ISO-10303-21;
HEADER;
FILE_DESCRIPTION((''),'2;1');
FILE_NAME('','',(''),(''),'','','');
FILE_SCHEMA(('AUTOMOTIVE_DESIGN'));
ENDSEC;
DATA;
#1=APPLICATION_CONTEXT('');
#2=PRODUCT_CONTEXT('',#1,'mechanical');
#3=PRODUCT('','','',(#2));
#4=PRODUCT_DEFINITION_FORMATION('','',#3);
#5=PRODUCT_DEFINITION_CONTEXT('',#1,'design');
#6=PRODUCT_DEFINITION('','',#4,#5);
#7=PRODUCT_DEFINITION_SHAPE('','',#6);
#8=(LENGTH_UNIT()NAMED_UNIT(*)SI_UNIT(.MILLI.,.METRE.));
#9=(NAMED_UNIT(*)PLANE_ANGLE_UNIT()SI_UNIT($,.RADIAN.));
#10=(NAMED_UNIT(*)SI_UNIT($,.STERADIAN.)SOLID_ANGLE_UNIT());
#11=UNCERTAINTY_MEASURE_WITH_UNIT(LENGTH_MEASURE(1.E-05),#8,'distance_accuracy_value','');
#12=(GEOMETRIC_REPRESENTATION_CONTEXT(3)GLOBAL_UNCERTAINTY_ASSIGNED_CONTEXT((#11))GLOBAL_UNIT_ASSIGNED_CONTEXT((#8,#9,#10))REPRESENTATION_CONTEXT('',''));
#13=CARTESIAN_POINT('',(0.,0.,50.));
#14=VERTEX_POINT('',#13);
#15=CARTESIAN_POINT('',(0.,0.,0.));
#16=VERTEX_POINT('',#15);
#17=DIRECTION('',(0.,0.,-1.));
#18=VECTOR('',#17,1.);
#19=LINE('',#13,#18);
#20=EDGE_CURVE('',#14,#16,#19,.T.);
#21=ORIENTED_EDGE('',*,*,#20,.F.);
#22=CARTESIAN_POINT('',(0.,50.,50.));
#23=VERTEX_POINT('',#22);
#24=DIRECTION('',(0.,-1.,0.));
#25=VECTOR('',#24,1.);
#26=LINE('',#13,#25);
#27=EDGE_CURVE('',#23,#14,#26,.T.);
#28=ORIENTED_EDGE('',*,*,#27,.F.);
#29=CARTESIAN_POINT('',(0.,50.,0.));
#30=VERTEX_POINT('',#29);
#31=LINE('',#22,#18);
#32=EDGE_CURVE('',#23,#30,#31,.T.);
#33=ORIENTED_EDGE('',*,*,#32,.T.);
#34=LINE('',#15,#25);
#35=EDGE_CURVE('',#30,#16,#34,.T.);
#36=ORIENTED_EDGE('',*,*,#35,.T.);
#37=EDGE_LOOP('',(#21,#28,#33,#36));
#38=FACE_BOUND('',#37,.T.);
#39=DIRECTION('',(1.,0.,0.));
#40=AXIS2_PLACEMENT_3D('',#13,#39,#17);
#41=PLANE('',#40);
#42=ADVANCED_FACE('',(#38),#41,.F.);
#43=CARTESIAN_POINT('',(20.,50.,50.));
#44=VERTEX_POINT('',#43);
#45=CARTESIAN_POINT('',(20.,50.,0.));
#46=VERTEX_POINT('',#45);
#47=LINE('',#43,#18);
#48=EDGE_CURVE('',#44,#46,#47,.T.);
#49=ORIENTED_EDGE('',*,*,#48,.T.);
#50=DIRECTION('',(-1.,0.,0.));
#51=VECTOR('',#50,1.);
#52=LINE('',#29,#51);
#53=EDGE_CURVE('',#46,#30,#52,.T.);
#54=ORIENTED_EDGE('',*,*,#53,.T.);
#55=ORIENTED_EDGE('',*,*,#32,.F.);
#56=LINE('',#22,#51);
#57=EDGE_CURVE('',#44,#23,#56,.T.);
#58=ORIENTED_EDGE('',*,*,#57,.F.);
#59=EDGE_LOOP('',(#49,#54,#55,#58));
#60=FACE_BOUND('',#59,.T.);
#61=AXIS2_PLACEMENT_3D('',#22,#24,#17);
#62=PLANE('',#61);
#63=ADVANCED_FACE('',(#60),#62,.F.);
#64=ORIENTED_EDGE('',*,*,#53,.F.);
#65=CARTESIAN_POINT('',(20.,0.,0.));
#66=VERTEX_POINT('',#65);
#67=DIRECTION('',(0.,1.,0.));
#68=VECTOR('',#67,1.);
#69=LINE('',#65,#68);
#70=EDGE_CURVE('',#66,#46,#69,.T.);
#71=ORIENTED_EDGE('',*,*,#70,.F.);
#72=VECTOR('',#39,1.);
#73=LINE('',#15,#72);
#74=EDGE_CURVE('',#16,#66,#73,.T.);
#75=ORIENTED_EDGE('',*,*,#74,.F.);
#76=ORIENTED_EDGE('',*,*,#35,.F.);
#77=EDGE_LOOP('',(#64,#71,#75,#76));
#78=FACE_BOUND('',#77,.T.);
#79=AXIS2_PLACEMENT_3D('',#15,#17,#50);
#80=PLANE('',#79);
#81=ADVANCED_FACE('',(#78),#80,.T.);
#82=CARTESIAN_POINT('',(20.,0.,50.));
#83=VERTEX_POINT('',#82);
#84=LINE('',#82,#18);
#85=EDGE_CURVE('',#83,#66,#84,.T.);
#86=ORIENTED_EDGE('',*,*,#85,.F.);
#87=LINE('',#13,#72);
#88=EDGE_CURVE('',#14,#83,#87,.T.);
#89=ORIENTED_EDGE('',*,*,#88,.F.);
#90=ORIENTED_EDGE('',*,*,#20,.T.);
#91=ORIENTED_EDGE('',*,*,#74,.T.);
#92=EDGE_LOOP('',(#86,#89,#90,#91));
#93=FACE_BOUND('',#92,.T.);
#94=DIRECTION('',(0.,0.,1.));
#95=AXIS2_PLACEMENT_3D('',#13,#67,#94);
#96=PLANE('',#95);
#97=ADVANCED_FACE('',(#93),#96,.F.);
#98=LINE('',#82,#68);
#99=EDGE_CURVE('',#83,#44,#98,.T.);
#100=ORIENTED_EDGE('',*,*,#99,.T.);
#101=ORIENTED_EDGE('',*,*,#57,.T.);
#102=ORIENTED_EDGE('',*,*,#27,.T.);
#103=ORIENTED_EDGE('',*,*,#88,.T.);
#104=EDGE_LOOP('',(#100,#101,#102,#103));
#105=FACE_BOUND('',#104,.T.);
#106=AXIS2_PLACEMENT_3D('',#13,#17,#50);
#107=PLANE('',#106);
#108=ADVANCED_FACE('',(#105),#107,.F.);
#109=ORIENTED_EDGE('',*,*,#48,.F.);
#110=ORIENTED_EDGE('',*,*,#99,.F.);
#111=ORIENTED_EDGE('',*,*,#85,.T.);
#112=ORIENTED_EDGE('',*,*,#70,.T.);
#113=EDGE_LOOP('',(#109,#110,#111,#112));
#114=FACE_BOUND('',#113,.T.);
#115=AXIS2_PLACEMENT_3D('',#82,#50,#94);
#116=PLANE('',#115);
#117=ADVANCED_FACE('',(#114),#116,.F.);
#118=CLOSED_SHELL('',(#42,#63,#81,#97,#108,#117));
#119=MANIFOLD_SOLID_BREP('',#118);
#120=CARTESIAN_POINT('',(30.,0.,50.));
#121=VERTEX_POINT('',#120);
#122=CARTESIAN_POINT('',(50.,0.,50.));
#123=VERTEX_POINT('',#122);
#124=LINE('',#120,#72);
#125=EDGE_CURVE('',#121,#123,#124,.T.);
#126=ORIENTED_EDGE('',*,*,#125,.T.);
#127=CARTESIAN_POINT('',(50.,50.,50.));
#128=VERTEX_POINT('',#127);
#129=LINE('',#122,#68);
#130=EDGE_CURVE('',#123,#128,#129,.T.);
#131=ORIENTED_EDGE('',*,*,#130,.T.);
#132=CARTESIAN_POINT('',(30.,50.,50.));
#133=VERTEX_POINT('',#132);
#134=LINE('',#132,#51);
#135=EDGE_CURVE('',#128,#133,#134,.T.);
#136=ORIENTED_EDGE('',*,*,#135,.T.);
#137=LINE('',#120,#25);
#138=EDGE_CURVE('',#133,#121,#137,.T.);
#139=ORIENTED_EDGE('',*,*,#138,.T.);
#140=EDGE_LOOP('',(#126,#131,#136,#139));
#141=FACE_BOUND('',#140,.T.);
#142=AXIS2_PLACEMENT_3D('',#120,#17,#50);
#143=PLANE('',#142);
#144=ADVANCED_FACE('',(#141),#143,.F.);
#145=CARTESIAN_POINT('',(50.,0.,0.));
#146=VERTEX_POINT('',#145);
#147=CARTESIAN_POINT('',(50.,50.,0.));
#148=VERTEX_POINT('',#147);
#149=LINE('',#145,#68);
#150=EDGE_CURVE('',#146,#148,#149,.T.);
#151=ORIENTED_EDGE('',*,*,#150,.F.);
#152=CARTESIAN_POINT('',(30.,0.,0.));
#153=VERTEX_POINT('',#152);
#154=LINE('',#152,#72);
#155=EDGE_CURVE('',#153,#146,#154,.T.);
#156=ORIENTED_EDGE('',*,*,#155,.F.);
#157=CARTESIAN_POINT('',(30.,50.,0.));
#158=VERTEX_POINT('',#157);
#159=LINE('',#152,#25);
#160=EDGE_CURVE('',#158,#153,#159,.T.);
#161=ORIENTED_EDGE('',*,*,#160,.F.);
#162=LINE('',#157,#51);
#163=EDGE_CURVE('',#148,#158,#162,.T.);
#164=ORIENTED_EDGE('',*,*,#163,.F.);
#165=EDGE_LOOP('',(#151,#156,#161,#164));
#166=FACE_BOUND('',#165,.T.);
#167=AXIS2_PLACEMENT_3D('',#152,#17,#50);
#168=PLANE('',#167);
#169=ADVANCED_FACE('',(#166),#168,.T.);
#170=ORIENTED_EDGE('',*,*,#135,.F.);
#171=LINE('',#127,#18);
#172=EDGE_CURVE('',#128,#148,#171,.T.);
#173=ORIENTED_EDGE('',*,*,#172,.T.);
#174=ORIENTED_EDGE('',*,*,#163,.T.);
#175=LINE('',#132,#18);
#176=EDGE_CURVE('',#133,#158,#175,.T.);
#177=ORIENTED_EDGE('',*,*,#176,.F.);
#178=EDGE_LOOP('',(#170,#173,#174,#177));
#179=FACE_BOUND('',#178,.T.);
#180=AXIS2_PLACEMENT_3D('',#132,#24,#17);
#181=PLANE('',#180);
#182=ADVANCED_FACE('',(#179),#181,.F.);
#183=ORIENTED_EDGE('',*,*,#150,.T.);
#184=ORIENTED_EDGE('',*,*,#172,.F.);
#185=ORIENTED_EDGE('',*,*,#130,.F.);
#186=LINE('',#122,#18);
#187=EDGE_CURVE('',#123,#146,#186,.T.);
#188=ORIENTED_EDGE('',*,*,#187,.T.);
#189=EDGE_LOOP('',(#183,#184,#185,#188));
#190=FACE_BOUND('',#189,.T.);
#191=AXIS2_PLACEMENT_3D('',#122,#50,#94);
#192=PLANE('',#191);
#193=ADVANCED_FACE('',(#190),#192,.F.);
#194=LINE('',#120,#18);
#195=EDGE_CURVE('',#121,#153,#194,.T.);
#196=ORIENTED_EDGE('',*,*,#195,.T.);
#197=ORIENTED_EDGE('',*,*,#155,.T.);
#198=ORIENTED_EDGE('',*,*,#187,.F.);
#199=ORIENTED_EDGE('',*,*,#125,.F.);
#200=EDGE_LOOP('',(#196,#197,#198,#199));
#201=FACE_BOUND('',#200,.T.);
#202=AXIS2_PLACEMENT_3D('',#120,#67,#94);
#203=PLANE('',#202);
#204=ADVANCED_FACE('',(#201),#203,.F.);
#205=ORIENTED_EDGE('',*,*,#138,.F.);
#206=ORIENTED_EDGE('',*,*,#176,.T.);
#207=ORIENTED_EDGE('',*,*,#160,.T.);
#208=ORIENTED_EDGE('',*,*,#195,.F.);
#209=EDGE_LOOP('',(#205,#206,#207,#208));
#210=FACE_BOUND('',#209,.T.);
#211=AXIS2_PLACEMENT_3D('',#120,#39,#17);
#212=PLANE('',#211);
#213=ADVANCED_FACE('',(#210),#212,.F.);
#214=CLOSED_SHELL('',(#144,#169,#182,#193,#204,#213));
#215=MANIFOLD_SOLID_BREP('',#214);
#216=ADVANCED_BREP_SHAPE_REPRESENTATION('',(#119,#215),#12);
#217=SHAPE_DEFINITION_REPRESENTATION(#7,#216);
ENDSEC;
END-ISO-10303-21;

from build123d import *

# Parameters (mm, degrees)
SZKIC1_W                    = 20
SZKIC1_H                    = 50
DODANIE_WYCI_GNI_CIE1_DEPTH = 50
SZYK_LINIOWY1_COUNT         = 2
SZYK_LINIOWY1_PITCH         = 30


with BuildPart() as part:
    # Szkic1 → Dodanie-wyciągnięcie1 (new body)
    with BuildSketch(Plane.XY):
        with Locations((10, 25)):
            Rectangle(SZKIC1_W, SZKIC1_H)
    extrude(amount=DODANIE_WYCI_GNI_CIE1_DEPTH)


with BuildPart() as szyk_liniowy1_1:
    # Szyk liniowy1: pattern copy
    add(part.part.moved(Location(Vector(1, 0, 0) * (1 * SZYK_LINIOWY1_PITCH))))


solid = Compound([part.part, szyk_liniowy1_1.part])
